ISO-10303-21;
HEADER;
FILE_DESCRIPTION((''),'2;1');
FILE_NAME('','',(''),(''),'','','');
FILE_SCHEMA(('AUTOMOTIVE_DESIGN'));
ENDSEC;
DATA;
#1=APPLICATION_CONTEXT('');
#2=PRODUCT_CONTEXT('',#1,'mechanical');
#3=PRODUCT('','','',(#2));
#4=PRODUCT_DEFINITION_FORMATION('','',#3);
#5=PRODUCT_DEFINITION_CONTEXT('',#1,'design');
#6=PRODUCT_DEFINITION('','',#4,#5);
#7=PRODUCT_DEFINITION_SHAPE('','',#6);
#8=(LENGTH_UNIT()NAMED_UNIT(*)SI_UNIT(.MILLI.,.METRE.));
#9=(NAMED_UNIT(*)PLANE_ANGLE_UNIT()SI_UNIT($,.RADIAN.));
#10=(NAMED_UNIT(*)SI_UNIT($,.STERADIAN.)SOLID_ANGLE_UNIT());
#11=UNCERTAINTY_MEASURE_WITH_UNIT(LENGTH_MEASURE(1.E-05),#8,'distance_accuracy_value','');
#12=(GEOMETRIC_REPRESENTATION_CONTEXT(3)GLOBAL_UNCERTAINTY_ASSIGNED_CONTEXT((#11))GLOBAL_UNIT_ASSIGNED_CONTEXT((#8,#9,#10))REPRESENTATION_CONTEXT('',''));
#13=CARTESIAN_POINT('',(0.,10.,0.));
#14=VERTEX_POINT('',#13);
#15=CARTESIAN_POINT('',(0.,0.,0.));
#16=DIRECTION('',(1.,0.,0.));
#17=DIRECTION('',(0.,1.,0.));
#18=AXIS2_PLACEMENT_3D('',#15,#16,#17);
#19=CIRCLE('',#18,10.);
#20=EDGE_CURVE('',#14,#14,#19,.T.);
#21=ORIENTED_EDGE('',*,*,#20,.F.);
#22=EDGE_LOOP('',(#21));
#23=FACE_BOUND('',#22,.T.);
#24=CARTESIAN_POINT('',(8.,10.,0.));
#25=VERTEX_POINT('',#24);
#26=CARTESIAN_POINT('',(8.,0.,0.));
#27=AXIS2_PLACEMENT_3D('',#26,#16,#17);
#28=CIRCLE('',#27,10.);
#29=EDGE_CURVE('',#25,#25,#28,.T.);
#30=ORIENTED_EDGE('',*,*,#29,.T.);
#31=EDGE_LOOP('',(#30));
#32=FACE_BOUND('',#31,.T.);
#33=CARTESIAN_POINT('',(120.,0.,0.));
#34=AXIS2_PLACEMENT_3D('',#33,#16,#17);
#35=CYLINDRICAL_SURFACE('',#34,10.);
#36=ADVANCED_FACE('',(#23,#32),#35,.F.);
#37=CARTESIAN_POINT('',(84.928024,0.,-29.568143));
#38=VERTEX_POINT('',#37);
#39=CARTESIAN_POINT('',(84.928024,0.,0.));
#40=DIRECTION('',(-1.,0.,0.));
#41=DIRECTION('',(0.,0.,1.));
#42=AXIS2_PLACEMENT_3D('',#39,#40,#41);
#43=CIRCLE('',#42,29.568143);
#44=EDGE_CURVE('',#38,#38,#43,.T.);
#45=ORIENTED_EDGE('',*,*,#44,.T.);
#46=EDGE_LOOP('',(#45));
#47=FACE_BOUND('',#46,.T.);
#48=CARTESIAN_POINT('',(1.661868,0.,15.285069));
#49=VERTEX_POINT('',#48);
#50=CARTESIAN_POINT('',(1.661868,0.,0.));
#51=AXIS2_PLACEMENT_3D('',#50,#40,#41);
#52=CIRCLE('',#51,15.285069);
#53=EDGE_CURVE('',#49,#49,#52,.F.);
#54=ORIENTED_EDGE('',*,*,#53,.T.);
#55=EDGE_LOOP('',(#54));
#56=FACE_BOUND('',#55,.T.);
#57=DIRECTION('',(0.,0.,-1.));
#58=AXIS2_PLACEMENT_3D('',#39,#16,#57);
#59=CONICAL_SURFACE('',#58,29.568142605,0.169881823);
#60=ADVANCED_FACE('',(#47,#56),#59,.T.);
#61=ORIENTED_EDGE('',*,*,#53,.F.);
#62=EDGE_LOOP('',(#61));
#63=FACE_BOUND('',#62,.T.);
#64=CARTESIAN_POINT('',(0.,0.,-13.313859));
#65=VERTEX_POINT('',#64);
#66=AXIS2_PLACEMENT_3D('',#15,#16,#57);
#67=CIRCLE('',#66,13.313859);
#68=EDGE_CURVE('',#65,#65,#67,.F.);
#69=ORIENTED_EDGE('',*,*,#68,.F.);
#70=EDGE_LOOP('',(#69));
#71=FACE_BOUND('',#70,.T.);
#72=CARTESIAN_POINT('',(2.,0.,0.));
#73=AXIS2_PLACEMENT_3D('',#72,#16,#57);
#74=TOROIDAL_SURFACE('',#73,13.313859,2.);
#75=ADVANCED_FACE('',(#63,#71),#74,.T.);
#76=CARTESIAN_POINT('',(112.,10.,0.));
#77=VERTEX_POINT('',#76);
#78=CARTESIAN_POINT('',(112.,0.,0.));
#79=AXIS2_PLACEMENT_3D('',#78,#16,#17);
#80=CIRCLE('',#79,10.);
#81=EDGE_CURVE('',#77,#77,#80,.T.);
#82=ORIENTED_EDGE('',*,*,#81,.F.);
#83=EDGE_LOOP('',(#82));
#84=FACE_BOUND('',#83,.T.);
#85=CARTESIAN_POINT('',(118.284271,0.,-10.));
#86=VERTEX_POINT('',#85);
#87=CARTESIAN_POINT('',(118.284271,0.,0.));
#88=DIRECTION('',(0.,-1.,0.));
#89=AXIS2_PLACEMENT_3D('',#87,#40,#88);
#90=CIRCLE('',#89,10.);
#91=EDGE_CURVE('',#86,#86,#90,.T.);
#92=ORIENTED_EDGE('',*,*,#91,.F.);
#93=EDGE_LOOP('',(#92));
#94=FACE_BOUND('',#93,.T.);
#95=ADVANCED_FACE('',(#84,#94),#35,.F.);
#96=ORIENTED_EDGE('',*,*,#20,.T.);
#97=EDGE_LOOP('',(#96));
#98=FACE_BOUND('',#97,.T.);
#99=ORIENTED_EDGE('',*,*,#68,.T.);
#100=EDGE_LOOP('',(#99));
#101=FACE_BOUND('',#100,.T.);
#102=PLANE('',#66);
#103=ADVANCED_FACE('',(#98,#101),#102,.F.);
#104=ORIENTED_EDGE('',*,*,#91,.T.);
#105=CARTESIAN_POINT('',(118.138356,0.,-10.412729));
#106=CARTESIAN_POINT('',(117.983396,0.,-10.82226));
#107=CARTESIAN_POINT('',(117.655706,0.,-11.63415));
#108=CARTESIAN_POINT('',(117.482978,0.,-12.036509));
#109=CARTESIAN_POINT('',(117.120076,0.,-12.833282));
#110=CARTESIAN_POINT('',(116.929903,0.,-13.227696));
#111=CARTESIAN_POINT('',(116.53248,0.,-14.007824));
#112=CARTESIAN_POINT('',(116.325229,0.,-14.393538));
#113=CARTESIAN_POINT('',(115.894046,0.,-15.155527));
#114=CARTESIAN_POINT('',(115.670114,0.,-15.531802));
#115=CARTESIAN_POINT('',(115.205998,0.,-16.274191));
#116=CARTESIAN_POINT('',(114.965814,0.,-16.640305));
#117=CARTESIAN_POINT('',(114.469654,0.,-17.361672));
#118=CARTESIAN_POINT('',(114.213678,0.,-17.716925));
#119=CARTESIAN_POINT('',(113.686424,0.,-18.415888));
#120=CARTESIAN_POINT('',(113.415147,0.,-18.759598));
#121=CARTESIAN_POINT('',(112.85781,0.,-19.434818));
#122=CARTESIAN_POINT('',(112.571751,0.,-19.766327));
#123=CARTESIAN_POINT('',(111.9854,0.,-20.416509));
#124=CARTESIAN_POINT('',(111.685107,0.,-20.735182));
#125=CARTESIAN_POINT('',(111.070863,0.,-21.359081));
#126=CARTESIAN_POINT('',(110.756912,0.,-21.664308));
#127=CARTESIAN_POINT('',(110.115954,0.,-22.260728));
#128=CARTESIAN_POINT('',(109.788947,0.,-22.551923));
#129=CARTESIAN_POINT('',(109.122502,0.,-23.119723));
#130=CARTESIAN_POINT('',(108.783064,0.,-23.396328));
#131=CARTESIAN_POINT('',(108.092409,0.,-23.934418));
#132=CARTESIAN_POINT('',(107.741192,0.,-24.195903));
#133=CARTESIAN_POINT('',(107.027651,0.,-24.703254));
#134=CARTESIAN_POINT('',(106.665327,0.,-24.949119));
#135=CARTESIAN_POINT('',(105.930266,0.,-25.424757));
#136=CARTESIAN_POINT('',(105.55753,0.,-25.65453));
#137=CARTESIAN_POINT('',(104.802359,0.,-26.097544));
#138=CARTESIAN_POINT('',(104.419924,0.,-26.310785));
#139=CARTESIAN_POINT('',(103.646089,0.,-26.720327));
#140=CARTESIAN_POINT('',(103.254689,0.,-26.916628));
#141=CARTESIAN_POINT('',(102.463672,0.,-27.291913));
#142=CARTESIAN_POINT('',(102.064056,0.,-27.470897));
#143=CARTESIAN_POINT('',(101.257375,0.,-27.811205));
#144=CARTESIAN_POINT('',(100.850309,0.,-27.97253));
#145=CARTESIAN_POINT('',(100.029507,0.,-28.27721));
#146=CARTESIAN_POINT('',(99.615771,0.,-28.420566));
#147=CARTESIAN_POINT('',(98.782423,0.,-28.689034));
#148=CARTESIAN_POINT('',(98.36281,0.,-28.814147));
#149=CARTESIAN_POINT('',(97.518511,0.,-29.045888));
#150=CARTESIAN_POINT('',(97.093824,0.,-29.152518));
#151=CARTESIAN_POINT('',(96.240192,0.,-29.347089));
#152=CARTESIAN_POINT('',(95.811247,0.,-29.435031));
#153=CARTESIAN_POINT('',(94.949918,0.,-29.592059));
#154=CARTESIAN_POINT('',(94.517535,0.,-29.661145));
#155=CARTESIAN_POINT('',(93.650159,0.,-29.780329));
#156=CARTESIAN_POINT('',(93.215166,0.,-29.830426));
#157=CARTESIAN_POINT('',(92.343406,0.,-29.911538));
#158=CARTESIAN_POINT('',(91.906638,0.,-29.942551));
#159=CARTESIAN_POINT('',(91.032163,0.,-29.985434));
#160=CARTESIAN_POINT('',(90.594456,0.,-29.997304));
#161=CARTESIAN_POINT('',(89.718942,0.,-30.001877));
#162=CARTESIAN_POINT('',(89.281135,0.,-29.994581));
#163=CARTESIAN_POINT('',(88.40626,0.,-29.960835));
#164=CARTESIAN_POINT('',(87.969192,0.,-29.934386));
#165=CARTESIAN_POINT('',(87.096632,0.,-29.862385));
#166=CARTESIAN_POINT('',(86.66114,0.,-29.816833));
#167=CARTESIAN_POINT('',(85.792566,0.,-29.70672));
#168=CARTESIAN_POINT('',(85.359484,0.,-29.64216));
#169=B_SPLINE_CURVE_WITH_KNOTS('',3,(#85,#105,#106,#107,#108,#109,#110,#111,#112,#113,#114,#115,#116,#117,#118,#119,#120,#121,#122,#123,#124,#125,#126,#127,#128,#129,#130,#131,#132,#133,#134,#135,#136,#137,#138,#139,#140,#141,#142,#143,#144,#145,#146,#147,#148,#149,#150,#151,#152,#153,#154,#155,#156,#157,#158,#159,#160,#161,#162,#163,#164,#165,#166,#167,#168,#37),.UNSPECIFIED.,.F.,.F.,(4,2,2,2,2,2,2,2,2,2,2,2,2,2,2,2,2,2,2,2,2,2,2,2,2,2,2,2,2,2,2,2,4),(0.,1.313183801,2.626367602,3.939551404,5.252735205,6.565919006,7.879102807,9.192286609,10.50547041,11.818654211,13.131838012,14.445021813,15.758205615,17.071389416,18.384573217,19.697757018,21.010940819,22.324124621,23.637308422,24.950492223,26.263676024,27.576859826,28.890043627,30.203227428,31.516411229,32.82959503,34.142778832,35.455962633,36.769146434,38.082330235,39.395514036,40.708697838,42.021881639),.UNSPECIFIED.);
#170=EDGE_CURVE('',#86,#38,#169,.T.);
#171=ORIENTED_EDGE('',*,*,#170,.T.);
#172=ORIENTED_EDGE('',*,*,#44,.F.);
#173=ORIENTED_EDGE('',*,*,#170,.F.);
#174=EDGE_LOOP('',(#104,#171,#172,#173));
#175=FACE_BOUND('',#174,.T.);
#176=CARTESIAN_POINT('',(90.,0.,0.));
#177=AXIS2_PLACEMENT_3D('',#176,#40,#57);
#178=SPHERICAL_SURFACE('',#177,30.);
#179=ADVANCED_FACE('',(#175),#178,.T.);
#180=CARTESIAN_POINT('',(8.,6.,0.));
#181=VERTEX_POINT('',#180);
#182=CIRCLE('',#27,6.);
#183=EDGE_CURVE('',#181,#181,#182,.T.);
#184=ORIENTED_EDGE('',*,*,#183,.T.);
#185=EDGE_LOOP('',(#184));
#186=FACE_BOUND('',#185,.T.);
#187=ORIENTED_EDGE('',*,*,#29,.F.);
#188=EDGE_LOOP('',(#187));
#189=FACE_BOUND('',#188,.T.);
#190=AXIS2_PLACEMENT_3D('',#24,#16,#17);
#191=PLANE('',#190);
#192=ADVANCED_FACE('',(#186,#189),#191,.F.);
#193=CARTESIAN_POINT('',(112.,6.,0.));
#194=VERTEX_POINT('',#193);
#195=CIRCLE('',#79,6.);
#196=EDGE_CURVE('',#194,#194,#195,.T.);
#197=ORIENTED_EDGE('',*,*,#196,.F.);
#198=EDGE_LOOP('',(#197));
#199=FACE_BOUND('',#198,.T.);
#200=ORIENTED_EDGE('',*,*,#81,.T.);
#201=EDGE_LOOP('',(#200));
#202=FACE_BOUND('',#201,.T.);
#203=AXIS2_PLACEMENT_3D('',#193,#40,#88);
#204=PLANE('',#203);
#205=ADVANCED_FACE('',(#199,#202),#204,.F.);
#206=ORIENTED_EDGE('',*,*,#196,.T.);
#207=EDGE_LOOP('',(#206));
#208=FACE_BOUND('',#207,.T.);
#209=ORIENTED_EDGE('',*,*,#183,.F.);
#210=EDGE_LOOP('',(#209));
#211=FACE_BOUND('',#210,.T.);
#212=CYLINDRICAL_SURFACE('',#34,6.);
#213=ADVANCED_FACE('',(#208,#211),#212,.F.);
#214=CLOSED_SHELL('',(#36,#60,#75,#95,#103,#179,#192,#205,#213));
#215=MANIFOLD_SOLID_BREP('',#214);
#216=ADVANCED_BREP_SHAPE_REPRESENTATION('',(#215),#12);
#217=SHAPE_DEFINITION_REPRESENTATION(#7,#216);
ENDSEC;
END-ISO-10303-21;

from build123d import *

# Parameters (mm, degrees)
FILLET1_R = 2


with BuildPart() as part:
    # Sketch1 → Revolve2 (revolve)
    with BuildSketch(Plane(origin=(0, 0, 0), x_dir=(1, 0, 0), z_dir=(0, 1, 0))):
        with BuildLine():
            Line((0, 0), (120, 0))
            ThreePointArc((120, 0), (109.337020363, 22.936426127), (84.928023767, 29.568142605))
            Line((84.928023767, 29.568142605), (0, 15))
            Line((0, 15), (0, 0))
        make_face()
    revolve(axis=Axis((0, 0, 0), (1, 0, 0)))

    # Sketch5 → Cut-Revolve1 (revolve, cut)
    with BuildSketch(Plane.XY):
        Polygon((0, 0), (0, 10), (8, 10), (8, 6), (112, 6), (112, 10), (120, 10), (120, 0), align=None)
    revolve(axis=Axis((120, 0, 0), (-1, 0, 0)), mode=Mode.SUBTRACT)

    # Fillet1
    fillet1_edges = [part.edges().sort_by_distance(p)[0] for p in [
        (0, 0, 15),
    ]]
    fillet(fillet1_edges, radius=FILLET1_R)


solid = part.part
